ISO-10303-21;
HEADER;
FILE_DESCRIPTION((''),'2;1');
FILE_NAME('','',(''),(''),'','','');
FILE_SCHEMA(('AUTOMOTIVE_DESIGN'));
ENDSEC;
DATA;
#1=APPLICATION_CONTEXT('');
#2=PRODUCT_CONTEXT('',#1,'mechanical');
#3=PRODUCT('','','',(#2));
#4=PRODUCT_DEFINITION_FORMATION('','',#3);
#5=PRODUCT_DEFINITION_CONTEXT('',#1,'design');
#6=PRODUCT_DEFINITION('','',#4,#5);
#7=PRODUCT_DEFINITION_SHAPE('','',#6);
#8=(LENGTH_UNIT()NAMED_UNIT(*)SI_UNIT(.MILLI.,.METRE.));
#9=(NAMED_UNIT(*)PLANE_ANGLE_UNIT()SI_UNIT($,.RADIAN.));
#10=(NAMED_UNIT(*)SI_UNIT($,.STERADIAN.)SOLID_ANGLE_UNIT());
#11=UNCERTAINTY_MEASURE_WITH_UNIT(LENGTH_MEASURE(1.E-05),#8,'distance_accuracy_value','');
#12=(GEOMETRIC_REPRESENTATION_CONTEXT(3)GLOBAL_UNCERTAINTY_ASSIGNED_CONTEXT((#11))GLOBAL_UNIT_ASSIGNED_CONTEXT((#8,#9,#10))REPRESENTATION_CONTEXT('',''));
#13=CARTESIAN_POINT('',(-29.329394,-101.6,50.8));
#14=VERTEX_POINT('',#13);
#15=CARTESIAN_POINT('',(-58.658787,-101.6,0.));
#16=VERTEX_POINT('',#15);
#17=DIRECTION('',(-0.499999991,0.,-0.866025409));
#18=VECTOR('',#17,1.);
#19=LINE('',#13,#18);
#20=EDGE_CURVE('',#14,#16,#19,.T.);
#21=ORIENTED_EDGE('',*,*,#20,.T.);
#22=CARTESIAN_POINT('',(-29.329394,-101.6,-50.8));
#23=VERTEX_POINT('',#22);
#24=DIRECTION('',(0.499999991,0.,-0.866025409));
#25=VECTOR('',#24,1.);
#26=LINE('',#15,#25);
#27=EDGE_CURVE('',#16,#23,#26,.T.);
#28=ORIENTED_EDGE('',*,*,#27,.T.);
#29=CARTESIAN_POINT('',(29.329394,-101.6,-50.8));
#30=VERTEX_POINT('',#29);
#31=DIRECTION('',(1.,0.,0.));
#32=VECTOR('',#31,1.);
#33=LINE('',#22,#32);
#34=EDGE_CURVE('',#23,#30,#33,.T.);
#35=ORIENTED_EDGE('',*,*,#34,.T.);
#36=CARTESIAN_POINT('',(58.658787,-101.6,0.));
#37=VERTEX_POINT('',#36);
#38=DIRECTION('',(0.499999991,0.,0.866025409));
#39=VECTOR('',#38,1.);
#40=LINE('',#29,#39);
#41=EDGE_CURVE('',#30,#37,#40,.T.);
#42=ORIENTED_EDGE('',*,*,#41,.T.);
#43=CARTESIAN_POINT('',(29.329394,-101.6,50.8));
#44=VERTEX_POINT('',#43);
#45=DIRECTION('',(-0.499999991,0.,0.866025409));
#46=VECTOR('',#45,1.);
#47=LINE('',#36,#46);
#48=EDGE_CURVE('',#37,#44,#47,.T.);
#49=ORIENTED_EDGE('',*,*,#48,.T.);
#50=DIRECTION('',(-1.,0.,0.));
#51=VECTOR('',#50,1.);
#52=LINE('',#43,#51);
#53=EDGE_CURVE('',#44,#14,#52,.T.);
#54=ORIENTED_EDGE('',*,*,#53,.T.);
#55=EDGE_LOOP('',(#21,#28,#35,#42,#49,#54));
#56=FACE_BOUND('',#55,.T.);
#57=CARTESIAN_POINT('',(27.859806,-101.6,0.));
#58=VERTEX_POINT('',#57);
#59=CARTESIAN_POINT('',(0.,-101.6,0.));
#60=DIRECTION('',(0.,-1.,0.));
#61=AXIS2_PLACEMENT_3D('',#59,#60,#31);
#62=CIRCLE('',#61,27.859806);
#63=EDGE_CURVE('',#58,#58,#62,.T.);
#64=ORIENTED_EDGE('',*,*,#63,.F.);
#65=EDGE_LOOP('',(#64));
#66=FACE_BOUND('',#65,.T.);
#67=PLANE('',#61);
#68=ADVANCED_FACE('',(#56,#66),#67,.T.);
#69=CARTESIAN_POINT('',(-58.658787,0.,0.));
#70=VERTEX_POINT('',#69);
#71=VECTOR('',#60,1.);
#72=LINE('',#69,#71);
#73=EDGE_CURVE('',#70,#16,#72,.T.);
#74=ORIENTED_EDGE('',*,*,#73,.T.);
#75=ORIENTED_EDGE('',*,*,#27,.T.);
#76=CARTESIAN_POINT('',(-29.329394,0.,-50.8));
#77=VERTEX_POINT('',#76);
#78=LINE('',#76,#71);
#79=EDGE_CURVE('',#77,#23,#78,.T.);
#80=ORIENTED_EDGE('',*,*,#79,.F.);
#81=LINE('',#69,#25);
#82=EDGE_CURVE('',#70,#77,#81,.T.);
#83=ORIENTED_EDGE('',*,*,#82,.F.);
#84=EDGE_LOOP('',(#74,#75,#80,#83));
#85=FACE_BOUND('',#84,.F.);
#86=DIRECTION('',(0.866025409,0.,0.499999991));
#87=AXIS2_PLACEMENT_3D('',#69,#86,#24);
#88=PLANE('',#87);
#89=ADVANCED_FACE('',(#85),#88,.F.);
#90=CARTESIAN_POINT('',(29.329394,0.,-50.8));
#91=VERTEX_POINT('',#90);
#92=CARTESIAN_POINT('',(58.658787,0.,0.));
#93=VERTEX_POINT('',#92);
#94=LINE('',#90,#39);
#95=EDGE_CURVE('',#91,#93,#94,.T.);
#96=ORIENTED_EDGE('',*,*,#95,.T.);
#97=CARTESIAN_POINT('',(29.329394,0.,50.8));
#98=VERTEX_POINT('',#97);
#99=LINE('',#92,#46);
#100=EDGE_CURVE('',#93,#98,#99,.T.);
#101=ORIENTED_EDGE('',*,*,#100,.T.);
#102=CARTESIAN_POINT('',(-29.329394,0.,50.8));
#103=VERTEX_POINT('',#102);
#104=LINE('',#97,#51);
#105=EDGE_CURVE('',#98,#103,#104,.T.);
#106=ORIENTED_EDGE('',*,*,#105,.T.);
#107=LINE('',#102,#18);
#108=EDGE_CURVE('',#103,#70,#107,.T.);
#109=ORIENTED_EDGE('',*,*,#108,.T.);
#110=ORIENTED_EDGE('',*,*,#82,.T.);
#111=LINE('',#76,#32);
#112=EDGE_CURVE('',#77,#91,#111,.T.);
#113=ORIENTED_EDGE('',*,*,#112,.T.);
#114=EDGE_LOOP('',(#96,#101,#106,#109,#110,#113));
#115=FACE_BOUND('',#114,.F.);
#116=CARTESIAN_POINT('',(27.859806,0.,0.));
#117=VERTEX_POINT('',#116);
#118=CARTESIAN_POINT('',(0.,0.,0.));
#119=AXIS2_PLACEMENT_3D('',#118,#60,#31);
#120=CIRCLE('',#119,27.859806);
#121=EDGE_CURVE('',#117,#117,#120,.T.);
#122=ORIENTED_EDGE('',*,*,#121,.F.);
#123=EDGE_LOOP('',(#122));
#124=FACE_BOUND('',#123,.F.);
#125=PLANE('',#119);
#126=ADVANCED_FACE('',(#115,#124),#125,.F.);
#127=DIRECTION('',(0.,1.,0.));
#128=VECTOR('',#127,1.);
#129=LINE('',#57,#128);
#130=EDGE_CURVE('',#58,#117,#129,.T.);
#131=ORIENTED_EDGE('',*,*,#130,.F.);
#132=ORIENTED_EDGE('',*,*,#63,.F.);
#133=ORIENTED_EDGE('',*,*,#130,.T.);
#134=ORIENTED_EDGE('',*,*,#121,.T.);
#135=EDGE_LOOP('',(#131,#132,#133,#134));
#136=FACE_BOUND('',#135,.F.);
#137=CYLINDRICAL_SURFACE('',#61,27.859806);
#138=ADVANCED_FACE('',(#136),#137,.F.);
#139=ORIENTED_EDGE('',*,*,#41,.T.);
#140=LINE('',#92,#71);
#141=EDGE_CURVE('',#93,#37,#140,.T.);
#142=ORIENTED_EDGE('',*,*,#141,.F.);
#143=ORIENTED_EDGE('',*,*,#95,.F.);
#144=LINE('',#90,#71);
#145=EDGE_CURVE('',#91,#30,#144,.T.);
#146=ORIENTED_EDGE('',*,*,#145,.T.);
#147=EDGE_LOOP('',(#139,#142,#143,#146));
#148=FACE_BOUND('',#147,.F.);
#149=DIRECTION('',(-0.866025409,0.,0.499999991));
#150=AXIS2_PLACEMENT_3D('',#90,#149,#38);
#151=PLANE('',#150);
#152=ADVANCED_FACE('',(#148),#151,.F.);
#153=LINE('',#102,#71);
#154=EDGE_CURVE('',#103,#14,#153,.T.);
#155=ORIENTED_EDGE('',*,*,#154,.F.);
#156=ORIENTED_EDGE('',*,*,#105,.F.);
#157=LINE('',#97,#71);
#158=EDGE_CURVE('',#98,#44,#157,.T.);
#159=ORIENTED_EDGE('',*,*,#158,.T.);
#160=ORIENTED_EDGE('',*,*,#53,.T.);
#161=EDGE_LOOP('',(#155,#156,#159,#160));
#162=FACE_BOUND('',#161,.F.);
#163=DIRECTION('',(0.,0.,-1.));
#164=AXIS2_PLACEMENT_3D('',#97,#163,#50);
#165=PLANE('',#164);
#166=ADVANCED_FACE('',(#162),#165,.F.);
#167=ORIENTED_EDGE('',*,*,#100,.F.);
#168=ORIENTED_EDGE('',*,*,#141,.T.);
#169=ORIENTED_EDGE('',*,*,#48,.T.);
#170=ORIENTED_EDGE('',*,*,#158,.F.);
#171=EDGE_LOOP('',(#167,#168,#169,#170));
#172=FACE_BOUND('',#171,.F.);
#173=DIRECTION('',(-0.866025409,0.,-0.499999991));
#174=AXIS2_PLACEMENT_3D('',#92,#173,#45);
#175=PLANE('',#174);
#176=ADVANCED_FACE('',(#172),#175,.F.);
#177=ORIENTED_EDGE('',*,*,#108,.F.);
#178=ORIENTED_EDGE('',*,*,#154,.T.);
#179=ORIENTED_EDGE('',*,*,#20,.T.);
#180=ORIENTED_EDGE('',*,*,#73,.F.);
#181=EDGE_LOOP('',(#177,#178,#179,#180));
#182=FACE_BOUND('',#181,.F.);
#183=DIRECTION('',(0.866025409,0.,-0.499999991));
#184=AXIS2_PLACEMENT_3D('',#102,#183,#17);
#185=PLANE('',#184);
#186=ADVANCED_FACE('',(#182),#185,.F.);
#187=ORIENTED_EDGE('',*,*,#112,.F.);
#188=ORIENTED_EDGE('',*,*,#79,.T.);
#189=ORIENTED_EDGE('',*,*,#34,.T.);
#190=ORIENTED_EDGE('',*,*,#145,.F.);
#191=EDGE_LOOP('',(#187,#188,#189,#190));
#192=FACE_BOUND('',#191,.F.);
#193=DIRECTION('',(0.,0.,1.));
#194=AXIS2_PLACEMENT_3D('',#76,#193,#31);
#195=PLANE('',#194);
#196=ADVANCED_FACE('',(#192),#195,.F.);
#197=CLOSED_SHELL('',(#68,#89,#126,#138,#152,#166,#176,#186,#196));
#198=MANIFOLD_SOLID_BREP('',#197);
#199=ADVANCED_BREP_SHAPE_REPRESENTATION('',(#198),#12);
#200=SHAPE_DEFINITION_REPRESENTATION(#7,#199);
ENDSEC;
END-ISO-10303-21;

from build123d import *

# Parameters (mm, degrees)
F1_DEPTH = 101.6
F2_R     = 27.859806
F3_DEPTH = 101.6


with BuildPart() as f1:
    # F0 (on Front) → F1 (new body)
    with BuildSketch(Plane.XZ):
        Polygon((29.329394, 50.8), (-29.329394, 50.8), (-58.658787, 0), (-29.329394, -50.8), (29.329394, -50.8), (58.658787, 0), align=None)
    extrude(amount=F1_DEPTH)

    # F2 (on face) → F3 (cut)
    with BuildSketch(Plane.XZ.offset(101.6)):
        Circle(F2_R)
    extrude(amount=-F3_DEPTH, mode=Mode.SUBTRACT)


solid = f1.part
